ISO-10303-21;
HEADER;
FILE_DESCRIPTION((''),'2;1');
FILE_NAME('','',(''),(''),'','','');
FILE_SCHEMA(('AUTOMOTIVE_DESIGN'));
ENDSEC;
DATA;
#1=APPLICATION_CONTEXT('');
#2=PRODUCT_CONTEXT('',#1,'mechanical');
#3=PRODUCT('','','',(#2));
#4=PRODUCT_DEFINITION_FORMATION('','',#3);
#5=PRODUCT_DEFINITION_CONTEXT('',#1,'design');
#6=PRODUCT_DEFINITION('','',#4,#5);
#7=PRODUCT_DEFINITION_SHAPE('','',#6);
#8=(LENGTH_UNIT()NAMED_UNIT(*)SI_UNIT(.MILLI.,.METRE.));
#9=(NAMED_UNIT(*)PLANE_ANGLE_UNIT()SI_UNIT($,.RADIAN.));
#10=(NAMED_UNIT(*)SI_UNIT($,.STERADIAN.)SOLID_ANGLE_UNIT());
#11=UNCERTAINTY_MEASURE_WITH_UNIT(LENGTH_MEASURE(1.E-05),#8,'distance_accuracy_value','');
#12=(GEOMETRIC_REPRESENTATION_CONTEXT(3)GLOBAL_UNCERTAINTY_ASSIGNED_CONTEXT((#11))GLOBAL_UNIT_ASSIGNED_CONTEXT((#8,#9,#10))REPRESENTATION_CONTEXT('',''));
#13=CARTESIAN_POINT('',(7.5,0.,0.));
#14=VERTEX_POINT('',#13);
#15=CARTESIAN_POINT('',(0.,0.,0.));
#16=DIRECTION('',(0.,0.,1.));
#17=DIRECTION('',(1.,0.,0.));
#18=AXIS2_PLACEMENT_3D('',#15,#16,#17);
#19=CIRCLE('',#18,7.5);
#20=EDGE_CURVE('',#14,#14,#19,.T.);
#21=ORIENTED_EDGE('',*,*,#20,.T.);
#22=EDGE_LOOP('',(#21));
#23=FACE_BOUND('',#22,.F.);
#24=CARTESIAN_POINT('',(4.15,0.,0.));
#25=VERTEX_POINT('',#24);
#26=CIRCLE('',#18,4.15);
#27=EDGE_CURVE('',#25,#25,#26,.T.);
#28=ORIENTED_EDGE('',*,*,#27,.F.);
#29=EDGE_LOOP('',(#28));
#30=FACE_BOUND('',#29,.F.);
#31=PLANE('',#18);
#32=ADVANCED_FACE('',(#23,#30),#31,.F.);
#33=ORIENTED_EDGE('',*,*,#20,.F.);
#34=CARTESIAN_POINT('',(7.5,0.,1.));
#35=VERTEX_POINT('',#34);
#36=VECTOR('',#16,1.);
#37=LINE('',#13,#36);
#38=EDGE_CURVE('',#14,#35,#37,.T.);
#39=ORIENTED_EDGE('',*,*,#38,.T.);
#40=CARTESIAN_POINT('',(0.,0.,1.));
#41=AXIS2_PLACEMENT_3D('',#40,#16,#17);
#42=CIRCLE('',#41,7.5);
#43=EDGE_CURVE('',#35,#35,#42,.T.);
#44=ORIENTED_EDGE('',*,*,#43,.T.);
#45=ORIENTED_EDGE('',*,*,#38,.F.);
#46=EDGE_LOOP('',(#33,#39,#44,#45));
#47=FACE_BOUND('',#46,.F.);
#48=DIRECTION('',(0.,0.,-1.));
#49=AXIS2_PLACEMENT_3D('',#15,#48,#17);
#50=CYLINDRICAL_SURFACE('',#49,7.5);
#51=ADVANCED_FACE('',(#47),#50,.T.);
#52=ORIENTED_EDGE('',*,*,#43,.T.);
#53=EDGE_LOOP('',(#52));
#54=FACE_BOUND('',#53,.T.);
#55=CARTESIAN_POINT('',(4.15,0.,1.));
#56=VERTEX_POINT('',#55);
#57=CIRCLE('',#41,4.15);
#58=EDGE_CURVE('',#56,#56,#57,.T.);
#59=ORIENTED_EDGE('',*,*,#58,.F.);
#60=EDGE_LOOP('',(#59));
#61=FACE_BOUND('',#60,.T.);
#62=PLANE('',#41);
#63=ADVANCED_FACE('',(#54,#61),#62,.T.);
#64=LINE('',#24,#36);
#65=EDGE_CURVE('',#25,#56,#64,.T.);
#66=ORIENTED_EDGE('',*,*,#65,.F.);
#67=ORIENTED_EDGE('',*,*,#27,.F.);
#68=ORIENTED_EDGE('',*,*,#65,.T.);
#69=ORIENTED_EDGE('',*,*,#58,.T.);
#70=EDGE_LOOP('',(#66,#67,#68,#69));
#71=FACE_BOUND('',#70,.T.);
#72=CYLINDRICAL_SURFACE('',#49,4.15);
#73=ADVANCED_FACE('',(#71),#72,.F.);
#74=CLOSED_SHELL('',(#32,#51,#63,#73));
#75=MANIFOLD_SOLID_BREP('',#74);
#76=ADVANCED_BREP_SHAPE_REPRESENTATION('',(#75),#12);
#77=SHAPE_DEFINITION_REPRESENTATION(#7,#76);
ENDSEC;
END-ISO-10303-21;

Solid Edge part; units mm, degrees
sketch "Sketch1" plane through (0, 0, 0) normal (0, 0, 1) x (1, 0, 0)
  circle A0 centre (0, 0) radius 7.5
  circle A1 centre (0, 0) radius 4.15
  dimension "D1" = 8.3
  dimension "D2" = 15
extrude "Protrusion1" add sketch "Sketch1" along normal blind 1
